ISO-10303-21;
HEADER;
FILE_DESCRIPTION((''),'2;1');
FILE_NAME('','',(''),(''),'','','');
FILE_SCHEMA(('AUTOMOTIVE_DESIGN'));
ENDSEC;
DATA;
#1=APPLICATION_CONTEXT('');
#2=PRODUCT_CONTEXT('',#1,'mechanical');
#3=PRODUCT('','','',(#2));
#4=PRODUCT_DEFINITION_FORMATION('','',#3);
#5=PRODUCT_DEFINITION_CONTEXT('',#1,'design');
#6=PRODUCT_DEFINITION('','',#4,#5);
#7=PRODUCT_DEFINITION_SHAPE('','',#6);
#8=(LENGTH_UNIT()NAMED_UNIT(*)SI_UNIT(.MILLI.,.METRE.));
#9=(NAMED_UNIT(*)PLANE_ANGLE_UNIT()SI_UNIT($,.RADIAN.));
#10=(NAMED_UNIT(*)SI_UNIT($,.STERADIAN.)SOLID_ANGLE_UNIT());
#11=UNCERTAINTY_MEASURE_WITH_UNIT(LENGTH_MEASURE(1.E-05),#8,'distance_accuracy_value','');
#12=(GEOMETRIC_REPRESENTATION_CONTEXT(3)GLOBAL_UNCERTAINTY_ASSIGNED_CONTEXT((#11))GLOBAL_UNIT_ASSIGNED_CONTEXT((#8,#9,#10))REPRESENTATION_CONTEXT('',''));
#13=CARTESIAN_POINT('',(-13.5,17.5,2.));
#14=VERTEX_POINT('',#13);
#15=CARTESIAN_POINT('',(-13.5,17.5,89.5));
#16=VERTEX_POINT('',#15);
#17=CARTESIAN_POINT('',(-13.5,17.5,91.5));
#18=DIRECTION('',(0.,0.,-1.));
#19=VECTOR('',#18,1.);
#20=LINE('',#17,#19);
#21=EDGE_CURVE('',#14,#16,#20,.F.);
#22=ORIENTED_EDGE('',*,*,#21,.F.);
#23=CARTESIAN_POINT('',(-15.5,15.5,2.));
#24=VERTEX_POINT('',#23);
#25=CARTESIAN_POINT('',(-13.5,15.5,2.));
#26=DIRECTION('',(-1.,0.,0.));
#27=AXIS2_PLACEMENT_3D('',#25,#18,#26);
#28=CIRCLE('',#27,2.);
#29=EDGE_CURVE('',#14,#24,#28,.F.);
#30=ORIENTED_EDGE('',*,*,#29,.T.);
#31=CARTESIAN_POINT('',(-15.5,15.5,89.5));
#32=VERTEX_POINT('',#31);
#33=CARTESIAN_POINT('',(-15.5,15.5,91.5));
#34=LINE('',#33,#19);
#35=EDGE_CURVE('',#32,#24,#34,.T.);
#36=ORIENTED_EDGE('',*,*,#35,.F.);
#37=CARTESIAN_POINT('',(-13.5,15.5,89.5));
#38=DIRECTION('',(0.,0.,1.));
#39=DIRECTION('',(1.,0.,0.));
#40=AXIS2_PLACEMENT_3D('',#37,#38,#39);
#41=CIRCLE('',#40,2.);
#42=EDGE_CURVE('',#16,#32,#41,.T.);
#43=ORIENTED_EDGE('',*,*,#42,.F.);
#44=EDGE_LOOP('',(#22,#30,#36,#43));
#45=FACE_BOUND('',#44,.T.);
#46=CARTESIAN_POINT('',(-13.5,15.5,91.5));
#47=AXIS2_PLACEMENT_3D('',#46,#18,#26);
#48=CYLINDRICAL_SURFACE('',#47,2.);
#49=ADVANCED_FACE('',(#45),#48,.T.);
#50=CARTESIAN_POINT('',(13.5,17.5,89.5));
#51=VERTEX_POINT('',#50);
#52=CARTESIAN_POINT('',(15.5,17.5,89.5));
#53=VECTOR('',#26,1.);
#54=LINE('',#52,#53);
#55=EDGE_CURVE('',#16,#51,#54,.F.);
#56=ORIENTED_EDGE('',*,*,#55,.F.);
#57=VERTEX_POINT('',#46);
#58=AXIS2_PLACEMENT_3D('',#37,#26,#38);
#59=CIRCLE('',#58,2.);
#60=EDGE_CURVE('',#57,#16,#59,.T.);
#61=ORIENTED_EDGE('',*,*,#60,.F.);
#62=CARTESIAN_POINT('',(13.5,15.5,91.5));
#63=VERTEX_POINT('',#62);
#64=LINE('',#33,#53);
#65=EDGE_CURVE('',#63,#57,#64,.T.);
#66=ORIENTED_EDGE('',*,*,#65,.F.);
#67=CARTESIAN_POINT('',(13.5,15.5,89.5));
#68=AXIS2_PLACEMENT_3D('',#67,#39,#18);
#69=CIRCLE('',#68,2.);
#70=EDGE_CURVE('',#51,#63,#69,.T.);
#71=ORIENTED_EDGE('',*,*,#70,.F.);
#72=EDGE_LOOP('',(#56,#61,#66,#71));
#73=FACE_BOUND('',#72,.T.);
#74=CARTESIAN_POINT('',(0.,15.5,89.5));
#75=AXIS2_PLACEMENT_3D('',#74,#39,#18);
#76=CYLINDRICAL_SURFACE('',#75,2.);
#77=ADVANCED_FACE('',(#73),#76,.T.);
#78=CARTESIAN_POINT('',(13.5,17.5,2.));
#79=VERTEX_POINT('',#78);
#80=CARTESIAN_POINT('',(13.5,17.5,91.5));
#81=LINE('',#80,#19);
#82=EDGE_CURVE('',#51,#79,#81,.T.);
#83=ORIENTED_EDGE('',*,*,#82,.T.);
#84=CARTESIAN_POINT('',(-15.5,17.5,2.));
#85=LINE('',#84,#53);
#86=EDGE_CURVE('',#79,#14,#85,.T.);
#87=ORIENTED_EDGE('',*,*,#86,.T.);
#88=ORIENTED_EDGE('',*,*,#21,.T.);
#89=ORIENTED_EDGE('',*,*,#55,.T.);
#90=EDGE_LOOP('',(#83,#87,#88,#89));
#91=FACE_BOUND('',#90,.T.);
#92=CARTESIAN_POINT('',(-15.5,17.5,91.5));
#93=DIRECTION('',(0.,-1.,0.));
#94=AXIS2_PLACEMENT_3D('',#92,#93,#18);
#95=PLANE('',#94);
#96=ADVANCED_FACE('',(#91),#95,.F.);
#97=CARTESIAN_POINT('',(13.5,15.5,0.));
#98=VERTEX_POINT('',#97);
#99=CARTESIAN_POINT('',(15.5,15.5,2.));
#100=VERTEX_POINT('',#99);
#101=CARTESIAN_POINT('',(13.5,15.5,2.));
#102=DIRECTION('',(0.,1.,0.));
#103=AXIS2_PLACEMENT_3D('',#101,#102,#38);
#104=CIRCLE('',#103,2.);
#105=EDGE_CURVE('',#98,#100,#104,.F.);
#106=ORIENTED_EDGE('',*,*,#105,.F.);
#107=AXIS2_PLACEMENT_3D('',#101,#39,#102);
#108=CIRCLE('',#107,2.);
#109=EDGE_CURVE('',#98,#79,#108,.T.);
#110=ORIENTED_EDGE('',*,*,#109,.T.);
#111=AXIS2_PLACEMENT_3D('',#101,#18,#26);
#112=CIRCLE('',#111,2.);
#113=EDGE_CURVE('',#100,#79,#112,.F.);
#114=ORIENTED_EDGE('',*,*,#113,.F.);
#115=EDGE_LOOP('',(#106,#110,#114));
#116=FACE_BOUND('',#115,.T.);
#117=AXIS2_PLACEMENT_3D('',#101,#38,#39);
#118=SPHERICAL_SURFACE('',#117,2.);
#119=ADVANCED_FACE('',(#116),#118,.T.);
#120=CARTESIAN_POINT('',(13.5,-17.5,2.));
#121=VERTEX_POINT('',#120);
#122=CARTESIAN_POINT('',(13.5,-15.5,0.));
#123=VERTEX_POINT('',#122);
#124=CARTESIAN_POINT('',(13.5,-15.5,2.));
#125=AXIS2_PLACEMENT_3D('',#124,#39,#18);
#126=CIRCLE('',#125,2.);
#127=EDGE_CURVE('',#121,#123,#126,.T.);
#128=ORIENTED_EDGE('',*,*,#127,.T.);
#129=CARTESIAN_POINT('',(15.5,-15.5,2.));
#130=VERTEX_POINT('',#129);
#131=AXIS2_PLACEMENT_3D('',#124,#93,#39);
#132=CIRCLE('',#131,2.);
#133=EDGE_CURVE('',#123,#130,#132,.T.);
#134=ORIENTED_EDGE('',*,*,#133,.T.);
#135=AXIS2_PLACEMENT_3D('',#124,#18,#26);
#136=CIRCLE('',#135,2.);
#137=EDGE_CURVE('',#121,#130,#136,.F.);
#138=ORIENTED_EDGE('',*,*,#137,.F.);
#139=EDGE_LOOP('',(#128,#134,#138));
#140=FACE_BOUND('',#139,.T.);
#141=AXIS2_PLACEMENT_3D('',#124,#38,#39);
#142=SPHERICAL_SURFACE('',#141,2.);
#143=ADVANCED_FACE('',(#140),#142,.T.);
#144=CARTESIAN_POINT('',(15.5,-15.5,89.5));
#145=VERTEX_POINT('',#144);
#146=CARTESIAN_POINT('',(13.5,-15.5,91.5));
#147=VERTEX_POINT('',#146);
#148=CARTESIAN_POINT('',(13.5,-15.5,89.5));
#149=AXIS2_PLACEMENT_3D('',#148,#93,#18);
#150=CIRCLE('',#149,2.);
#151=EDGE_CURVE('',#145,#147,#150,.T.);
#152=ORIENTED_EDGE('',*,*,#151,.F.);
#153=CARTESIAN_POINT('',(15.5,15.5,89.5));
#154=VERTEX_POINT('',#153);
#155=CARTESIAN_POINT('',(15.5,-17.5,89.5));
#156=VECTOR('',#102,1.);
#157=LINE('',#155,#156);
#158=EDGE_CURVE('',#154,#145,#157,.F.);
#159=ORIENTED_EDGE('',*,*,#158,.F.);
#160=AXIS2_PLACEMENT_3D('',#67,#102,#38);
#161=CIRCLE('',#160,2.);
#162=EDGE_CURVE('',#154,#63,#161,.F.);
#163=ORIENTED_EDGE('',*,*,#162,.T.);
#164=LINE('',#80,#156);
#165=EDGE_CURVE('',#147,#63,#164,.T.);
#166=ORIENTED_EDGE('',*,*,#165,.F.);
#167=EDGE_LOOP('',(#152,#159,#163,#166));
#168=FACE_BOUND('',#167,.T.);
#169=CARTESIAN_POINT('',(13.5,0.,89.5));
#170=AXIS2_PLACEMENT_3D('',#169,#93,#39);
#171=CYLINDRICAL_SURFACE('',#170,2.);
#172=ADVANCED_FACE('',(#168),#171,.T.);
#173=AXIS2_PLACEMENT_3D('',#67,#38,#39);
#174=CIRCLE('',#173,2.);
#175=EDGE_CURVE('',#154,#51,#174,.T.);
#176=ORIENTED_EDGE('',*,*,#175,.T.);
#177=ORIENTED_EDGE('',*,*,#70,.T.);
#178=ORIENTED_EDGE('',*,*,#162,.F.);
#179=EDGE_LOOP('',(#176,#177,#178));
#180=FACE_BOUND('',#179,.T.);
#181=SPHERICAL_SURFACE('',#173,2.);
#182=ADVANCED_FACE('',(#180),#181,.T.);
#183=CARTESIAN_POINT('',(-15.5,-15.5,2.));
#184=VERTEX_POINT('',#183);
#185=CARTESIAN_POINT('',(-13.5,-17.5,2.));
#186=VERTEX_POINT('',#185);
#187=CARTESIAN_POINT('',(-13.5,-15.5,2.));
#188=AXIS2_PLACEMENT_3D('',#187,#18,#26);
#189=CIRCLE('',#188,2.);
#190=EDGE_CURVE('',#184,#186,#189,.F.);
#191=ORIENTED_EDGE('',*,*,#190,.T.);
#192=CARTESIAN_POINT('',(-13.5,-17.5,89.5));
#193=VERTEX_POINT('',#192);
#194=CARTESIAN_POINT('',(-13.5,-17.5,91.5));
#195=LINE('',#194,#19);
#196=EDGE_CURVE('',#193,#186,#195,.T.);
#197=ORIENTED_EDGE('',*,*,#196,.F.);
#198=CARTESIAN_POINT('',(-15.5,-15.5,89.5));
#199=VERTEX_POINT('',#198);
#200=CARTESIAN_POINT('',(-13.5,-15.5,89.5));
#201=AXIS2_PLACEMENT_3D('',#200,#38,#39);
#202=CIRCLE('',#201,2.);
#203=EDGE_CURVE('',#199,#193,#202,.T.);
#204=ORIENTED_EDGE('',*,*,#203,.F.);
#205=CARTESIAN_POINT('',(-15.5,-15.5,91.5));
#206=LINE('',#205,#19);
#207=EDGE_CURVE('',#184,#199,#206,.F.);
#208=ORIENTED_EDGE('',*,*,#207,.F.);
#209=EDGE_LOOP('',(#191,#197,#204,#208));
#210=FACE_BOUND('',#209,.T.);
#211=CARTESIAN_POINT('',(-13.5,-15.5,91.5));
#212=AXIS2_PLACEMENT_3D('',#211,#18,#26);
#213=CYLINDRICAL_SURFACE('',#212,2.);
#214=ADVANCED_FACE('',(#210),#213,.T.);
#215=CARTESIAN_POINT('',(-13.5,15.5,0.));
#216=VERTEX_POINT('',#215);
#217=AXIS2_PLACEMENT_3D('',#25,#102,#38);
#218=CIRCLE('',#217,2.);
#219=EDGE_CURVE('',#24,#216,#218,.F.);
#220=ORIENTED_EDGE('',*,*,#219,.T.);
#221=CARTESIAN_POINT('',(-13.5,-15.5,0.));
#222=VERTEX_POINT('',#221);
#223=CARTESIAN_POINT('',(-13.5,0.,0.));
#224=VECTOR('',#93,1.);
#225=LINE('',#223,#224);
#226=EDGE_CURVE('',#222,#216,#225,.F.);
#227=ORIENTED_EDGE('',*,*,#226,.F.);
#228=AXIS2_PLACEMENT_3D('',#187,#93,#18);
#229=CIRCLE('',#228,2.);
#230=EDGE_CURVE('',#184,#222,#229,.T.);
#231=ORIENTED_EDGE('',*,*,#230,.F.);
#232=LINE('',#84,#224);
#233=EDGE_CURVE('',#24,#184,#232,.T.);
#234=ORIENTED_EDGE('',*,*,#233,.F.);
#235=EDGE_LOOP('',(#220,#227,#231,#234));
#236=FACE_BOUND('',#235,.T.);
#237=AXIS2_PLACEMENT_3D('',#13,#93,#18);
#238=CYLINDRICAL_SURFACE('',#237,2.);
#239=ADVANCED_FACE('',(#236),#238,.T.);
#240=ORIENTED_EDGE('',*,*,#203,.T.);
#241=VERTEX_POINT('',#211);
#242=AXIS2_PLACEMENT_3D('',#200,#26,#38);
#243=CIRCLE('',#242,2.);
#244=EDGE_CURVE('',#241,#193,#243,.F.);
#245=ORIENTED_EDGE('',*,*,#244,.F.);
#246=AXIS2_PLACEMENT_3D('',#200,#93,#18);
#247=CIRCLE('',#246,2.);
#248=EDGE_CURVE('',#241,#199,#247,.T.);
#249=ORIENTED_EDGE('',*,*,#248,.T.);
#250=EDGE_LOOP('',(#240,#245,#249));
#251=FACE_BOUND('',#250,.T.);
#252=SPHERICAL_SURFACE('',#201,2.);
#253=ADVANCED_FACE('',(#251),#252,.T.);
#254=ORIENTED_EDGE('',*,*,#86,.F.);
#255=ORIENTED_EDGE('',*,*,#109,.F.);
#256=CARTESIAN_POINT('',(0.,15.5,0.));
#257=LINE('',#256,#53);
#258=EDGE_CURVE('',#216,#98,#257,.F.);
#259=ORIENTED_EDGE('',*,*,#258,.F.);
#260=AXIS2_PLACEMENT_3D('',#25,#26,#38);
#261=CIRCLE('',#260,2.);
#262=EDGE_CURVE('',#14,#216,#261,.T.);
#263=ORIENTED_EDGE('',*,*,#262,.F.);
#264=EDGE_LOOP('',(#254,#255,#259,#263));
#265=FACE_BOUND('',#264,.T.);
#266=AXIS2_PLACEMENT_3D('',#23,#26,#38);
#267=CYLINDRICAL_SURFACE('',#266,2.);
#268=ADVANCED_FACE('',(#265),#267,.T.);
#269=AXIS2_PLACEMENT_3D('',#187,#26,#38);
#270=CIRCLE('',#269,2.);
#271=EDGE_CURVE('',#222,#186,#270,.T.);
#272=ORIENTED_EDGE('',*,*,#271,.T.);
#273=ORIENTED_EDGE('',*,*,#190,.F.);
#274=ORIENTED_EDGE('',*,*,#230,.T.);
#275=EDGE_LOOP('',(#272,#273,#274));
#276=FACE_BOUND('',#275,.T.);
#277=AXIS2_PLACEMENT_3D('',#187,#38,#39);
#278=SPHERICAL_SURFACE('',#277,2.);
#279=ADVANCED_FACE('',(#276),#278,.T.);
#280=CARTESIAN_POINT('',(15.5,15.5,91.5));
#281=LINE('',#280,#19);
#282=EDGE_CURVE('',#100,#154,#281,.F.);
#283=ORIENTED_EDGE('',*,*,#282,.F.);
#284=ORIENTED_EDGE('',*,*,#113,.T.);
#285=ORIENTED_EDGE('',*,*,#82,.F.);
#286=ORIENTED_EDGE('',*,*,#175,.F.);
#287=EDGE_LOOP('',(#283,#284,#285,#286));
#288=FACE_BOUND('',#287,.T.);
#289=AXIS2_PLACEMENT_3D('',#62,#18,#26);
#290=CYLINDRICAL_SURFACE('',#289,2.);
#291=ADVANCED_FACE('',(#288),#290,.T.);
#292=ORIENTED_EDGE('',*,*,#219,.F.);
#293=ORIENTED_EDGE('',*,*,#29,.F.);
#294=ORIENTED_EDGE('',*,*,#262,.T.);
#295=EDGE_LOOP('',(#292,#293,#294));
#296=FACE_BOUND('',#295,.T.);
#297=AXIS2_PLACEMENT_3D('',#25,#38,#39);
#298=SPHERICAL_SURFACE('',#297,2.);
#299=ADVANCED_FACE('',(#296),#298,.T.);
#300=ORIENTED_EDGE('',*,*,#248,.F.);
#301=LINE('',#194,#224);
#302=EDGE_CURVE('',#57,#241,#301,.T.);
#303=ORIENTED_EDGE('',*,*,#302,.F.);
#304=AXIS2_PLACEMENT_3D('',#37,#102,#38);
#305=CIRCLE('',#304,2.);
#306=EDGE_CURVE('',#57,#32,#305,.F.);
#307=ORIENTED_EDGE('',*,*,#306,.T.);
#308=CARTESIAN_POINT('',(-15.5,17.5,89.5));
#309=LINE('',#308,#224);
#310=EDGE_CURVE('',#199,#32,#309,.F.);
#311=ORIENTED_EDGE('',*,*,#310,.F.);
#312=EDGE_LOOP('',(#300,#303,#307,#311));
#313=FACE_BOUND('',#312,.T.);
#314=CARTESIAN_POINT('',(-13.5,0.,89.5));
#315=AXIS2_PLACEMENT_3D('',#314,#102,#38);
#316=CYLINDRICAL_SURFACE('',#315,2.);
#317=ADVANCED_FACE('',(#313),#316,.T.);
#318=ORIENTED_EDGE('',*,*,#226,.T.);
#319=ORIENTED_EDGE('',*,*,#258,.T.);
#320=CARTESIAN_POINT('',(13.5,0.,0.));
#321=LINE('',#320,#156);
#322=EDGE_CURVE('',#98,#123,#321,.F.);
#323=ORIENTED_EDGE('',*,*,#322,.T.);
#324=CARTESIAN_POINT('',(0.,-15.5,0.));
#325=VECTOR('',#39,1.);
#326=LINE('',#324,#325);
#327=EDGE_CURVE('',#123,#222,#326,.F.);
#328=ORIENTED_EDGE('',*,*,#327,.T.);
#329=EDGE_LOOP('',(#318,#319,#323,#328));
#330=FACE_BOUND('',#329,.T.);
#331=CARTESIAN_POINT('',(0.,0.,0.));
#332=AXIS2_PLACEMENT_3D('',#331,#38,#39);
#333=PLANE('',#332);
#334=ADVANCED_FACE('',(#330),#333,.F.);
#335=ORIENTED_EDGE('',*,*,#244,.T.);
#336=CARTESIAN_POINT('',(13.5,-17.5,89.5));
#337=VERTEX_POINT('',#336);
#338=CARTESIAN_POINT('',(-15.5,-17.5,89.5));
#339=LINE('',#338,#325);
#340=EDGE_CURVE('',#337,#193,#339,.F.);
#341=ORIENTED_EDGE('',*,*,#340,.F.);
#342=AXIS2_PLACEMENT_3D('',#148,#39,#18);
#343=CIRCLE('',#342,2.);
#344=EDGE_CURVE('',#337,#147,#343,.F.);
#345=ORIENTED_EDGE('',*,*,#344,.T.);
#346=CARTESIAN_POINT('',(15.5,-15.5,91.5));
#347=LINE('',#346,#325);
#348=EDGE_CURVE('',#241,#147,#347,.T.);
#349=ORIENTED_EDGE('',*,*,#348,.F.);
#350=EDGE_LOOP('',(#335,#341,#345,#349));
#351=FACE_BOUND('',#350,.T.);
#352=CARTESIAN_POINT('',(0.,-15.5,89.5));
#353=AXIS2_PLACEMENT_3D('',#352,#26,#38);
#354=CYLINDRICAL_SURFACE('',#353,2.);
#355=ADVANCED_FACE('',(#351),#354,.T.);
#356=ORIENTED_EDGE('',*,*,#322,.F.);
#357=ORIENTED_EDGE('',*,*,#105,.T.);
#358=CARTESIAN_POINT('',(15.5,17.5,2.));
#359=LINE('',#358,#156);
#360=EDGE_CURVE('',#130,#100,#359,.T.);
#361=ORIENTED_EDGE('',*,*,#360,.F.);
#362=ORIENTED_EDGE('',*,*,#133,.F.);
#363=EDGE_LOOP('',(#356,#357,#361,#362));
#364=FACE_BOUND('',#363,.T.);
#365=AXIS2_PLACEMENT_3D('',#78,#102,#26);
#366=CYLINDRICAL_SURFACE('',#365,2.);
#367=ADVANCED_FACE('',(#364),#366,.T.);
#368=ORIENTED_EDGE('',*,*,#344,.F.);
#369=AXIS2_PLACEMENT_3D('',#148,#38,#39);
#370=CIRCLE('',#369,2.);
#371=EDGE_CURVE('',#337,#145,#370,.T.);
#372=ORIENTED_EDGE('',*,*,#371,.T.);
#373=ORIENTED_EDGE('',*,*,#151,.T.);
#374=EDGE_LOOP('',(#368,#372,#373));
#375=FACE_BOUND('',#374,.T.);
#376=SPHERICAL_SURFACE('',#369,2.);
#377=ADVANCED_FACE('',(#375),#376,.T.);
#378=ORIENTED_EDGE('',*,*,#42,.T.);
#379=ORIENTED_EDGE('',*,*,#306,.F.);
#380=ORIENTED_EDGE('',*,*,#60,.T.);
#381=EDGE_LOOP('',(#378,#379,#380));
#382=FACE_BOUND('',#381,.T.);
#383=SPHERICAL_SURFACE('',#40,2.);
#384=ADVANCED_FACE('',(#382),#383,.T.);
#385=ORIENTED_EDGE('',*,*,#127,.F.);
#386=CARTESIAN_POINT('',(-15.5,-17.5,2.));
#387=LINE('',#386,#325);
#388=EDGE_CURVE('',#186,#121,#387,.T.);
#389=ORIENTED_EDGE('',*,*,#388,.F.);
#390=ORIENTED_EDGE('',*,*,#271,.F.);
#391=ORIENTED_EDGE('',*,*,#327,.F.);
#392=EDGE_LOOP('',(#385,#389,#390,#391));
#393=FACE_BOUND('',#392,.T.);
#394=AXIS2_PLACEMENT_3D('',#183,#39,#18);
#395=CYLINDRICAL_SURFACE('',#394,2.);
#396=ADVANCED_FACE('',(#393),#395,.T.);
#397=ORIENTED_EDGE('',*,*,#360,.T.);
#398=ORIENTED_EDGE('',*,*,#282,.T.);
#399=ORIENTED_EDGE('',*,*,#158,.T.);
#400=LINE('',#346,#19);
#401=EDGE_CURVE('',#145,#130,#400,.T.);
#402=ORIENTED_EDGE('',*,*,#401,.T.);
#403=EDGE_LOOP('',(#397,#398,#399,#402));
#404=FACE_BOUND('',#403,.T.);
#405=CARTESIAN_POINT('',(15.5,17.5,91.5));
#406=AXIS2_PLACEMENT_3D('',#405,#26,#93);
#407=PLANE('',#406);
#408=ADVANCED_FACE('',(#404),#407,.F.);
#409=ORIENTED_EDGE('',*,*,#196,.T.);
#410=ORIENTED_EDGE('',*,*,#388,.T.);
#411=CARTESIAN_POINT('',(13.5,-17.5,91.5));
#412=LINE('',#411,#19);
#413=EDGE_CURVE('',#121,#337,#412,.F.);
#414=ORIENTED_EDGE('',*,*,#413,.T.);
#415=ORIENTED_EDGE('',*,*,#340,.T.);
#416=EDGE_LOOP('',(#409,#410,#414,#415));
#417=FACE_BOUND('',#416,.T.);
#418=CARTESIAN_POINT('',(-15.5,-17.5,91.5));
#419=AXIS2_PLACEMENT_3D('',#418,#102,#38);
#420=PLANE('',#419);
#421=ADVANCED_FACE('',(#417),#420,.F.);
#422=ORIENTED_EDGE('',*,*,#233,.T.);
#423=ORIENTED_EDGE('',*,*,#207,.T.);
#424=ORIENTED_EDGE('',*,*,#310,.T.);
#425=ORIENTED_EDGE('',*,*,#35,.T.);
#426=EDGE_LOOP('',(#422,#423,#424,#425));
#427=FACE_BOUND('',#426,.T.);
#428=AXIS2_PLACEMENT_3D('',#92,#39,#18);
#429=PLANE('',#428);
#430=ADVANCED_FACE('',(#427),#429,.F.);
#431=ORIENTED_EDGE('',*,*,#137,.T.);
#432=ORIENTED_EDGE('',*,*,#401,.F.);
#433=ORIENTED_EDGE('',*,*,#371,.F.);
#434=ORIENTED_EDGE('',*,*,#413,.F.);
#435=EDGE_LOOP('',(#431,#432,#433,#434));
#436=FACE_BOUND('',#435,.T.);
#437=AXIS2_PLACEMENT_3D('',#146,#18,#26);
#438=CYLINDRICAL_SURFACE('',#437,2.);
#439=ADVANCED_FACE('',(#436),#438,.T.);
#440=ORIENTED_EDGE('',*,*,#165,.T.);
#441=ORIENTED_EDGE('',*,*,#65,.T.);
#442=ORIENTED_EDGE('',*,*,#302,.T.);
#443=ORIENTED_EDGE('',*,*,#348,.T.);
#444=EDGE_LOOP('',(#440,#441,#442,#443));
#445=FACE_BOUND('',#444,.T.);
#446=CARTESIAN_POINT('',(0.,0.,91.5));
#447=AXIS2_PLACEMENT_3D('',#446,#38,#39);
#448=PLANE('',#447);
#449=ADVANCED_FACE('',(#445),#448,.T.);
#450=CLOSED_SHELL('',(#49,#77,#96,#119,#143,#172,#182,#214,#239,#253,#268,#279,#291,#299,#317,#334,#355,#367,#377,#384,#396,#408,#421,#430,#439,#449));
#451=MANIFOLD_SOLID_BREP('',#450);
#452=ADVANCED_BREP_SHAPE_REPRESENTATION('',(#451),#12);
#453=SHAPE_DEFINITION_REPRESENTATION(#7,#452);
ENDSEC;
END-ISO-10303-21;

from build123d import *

# Parameters (mm, degrees)
CROQUIS1_W              = 31
CROQUIS1_H              = 35
SALIENTE_EXTRUIR1_DEPTH = 91.5
REDONDEO1_R             = 2


with BuildPart() as part:
    # Croquis1 → Saliente-Extruir1 (new body)
    with BuildSketch(Plane.XY):
        Rectangle(CROQUIS1_W, CROQUIS1_H)
    extrude(amount=SALIENTE_EXTRUIR1_DEPTH)

    # Redondeo1
    redondeo1_edges = [part.edges().sort_by_distance(p)[0] for p in [
        (-15.5, 0, 91.5),
        (0, -17.5, 91.5),
        (15.5, 0, 91.5),
        (0, -17.5, 0),
        (-15.5, 0, 0),
        (0, 17.5, 0),
        (15.5, 0, 0),
        (15.5, -17.5, 45.75),
        (-15.5, -17.5, 45.75),
        (-15.5, 17.5, 45.75),
        (15.5, 17.5, 45.75),
        (0, 17.5, 91.5),
    ]]
    fillet(redondeo1_edges, radius=REDONDEO1_R)


solid = part.part
